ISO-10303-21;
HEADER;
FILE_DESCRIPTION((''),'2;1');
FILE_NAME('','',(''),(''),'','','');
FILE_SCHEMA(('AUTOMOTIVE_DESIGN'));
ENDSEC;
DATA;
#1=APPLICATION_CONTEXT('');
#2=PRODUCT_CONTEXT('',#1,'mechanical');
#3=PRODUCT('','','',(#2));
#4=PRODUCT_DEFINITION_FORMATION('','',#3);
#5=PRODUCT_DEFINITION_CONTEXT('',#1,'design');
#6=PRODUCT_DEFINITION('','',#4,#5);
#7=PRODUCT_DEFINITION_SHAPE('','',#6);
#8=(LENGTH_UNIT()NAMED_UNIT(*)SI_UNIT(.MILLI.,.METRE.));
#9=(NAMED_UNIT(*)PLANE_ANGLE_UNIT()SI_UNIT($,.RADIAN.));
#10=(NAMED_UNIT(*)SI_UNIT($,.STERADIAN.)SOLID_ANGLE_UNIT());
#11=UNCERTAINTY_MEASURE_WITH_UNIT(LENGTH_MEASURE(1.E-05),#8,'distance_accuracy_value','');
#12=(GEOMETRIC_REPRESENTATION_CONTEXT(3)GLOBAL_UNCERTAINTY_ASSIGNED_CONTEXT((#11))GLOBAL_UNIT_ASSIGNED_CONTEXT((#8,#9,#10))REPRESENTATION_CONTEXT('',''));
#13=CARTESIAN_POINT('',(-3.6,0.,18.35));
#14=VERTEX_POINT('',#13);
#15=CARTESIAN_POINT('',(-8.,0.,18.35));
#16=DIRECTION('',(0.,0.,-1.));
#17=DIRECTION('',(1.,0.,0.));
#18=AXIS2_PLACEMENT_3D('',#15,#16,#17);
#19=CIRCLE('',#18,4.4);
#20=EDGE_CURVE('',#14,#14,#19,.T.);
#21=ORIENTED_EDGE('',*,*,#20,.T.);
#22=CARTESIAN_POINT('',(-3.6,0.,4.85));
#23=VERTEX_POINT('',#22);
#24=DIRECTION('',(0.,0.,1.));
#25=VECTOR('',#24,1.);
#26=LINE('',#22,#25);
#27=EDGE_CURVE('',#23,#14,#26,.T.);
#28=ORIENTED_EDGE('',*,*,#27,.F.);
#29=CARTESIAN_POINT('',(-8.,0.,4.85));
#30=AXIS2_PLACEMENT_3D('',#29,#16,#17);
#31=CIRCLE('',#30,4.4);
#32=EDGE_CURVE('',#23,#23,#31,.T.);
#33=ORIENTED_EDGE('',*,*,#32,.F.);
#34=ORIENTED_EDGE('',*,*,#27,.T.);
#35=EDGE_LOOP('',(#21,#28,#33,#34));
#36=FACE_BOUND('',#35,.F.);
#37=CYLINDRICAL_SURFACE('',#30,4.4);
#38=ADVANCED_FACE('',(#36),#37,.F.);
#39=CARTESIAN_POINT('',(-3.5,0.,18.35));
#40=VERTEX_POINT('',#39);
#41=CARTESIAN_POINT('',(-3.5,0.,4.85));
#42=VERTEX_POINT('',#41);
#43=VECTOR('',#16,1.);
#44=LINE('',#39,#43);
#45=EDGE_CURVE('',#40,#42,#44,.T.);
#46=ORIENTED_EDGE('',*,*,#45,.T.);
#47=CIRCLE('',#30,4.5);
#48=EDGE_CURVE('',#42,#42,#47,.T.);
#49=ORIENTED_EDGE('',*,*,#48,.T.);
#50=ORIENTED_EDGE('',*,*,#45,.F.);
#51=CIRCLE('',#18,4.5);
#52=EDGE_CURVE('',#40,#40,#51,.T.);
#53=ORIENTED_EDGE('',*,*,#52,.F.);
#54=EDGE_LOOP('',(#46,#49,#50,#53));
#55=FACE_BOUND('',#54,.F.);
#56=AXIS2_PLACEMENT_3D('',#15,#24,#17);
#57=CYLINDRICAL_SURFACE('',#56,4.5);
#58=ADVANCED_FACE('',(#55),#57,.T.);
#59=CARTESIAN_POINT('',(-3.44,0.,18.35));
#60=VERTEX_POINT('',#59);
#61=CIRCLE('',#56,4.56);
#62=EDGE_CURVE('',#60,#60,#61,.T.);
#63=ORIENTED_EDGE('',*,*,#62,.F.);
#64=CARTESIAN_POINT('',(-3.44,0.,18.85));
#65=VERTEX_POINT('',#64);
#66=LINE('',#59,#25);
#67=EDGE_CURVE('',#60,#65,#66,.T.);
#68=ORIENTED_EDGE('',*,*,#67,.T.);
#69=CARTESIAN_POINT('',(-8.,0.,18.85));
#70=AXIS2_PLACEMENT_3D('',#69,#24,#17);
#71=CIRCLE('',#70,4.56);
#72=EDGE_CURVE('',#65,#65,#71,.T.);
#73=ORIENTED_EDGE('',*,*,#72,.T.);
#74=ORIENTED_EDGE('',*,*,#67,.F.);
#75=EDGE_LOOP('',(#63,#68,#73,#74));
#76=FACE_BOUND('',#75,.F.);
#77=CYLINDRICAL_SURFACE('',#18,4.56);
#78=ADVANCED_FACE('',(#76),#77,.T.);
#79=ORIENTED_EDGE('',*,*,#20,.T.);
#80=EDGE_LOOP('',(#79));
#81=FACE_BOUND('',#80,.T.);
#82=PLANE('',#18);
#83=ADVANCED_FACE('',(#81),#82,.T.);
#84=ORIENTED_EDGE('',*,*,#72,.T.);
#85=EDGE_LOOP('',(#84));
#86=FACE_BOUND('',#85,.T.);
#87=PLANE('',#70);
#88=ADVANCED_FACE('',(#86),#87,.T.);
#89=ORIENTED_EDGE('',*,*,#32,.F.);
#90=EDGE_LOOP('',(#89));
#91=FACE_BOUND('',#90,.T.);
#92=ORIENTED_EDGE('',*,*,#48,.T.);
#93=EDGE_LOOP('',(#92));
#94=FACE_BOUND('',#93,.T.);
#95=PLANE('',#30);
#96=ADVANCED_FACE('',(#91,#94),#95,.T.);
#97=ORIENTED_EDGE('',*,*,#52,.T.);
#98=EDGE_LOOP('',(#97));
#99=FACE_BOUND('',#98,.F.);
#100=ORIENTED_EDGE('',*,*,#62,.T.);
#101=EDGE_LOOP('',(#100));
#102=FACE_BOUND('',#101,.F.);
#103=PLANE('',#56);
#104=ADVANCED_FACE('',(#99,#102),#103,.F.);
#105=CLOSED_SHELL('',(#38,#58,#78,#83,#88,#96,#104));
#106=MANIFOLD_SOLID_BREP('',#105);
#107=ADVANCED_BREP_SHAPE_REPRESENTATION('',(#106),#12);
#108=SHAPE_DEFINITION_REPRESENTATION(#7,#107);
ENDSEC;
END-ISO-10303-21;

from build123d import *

# Parameters (mm, degrees)
CYLINDER_R      = 4.1
CYLINDER_DEPTH  = 3.1
SKETCH005_R     = 4.56
PAD002_DEPTH    = 0.5
SKETCH006_R     = 4.5
PAD003_DEPTH    = 13.5
SKETCH007_R     = 4.4
POCKET003_DEPTH = 13.5


with BuildPart() as part:
    # Cylinder → Cylinder (new body)
    with BuildSketch(Plane(origin=(-8, 0, 15.25), x_dir=(1, 0, 0), z_dir=(0, 0, 1))):
        Circle(CYLINDER_R)
    extrude(amount=CYLINDER_DEPTH)

    # Sketch005 → Pad002 (new body)
    with BuildSketch(Plane(origin=(-8, 0, 18.35), x_dir=(1, 0, 0), z_dir=(0, 0, 1))):
        Circle(SKETCH005_R)
    extrude(amount=PAD002_DEPTH)

    # Sketch006 → Pad003 (new body)
    with BuildSketch(Plane(origin=(-8, 0, 18.35), x_dir=(1, 0, 0), z_dir=(0, 0, -1))):
        Circle(SKETCH006_R)
    extrude(amount=PAD003_DEPTH)

    # Sketch007 → Pocket003 (cut)
    with BuildSketch(Plane(origin=(-8, 0, 4.85), x_dir=(1, 0, 0), z_dir=(0, 0, -1))):
        Circle(SKETCH007_R)
    extrude(amount=-POCKET003_DEPTH, mode=Mode.SUBTRACT)


solid = part.part
